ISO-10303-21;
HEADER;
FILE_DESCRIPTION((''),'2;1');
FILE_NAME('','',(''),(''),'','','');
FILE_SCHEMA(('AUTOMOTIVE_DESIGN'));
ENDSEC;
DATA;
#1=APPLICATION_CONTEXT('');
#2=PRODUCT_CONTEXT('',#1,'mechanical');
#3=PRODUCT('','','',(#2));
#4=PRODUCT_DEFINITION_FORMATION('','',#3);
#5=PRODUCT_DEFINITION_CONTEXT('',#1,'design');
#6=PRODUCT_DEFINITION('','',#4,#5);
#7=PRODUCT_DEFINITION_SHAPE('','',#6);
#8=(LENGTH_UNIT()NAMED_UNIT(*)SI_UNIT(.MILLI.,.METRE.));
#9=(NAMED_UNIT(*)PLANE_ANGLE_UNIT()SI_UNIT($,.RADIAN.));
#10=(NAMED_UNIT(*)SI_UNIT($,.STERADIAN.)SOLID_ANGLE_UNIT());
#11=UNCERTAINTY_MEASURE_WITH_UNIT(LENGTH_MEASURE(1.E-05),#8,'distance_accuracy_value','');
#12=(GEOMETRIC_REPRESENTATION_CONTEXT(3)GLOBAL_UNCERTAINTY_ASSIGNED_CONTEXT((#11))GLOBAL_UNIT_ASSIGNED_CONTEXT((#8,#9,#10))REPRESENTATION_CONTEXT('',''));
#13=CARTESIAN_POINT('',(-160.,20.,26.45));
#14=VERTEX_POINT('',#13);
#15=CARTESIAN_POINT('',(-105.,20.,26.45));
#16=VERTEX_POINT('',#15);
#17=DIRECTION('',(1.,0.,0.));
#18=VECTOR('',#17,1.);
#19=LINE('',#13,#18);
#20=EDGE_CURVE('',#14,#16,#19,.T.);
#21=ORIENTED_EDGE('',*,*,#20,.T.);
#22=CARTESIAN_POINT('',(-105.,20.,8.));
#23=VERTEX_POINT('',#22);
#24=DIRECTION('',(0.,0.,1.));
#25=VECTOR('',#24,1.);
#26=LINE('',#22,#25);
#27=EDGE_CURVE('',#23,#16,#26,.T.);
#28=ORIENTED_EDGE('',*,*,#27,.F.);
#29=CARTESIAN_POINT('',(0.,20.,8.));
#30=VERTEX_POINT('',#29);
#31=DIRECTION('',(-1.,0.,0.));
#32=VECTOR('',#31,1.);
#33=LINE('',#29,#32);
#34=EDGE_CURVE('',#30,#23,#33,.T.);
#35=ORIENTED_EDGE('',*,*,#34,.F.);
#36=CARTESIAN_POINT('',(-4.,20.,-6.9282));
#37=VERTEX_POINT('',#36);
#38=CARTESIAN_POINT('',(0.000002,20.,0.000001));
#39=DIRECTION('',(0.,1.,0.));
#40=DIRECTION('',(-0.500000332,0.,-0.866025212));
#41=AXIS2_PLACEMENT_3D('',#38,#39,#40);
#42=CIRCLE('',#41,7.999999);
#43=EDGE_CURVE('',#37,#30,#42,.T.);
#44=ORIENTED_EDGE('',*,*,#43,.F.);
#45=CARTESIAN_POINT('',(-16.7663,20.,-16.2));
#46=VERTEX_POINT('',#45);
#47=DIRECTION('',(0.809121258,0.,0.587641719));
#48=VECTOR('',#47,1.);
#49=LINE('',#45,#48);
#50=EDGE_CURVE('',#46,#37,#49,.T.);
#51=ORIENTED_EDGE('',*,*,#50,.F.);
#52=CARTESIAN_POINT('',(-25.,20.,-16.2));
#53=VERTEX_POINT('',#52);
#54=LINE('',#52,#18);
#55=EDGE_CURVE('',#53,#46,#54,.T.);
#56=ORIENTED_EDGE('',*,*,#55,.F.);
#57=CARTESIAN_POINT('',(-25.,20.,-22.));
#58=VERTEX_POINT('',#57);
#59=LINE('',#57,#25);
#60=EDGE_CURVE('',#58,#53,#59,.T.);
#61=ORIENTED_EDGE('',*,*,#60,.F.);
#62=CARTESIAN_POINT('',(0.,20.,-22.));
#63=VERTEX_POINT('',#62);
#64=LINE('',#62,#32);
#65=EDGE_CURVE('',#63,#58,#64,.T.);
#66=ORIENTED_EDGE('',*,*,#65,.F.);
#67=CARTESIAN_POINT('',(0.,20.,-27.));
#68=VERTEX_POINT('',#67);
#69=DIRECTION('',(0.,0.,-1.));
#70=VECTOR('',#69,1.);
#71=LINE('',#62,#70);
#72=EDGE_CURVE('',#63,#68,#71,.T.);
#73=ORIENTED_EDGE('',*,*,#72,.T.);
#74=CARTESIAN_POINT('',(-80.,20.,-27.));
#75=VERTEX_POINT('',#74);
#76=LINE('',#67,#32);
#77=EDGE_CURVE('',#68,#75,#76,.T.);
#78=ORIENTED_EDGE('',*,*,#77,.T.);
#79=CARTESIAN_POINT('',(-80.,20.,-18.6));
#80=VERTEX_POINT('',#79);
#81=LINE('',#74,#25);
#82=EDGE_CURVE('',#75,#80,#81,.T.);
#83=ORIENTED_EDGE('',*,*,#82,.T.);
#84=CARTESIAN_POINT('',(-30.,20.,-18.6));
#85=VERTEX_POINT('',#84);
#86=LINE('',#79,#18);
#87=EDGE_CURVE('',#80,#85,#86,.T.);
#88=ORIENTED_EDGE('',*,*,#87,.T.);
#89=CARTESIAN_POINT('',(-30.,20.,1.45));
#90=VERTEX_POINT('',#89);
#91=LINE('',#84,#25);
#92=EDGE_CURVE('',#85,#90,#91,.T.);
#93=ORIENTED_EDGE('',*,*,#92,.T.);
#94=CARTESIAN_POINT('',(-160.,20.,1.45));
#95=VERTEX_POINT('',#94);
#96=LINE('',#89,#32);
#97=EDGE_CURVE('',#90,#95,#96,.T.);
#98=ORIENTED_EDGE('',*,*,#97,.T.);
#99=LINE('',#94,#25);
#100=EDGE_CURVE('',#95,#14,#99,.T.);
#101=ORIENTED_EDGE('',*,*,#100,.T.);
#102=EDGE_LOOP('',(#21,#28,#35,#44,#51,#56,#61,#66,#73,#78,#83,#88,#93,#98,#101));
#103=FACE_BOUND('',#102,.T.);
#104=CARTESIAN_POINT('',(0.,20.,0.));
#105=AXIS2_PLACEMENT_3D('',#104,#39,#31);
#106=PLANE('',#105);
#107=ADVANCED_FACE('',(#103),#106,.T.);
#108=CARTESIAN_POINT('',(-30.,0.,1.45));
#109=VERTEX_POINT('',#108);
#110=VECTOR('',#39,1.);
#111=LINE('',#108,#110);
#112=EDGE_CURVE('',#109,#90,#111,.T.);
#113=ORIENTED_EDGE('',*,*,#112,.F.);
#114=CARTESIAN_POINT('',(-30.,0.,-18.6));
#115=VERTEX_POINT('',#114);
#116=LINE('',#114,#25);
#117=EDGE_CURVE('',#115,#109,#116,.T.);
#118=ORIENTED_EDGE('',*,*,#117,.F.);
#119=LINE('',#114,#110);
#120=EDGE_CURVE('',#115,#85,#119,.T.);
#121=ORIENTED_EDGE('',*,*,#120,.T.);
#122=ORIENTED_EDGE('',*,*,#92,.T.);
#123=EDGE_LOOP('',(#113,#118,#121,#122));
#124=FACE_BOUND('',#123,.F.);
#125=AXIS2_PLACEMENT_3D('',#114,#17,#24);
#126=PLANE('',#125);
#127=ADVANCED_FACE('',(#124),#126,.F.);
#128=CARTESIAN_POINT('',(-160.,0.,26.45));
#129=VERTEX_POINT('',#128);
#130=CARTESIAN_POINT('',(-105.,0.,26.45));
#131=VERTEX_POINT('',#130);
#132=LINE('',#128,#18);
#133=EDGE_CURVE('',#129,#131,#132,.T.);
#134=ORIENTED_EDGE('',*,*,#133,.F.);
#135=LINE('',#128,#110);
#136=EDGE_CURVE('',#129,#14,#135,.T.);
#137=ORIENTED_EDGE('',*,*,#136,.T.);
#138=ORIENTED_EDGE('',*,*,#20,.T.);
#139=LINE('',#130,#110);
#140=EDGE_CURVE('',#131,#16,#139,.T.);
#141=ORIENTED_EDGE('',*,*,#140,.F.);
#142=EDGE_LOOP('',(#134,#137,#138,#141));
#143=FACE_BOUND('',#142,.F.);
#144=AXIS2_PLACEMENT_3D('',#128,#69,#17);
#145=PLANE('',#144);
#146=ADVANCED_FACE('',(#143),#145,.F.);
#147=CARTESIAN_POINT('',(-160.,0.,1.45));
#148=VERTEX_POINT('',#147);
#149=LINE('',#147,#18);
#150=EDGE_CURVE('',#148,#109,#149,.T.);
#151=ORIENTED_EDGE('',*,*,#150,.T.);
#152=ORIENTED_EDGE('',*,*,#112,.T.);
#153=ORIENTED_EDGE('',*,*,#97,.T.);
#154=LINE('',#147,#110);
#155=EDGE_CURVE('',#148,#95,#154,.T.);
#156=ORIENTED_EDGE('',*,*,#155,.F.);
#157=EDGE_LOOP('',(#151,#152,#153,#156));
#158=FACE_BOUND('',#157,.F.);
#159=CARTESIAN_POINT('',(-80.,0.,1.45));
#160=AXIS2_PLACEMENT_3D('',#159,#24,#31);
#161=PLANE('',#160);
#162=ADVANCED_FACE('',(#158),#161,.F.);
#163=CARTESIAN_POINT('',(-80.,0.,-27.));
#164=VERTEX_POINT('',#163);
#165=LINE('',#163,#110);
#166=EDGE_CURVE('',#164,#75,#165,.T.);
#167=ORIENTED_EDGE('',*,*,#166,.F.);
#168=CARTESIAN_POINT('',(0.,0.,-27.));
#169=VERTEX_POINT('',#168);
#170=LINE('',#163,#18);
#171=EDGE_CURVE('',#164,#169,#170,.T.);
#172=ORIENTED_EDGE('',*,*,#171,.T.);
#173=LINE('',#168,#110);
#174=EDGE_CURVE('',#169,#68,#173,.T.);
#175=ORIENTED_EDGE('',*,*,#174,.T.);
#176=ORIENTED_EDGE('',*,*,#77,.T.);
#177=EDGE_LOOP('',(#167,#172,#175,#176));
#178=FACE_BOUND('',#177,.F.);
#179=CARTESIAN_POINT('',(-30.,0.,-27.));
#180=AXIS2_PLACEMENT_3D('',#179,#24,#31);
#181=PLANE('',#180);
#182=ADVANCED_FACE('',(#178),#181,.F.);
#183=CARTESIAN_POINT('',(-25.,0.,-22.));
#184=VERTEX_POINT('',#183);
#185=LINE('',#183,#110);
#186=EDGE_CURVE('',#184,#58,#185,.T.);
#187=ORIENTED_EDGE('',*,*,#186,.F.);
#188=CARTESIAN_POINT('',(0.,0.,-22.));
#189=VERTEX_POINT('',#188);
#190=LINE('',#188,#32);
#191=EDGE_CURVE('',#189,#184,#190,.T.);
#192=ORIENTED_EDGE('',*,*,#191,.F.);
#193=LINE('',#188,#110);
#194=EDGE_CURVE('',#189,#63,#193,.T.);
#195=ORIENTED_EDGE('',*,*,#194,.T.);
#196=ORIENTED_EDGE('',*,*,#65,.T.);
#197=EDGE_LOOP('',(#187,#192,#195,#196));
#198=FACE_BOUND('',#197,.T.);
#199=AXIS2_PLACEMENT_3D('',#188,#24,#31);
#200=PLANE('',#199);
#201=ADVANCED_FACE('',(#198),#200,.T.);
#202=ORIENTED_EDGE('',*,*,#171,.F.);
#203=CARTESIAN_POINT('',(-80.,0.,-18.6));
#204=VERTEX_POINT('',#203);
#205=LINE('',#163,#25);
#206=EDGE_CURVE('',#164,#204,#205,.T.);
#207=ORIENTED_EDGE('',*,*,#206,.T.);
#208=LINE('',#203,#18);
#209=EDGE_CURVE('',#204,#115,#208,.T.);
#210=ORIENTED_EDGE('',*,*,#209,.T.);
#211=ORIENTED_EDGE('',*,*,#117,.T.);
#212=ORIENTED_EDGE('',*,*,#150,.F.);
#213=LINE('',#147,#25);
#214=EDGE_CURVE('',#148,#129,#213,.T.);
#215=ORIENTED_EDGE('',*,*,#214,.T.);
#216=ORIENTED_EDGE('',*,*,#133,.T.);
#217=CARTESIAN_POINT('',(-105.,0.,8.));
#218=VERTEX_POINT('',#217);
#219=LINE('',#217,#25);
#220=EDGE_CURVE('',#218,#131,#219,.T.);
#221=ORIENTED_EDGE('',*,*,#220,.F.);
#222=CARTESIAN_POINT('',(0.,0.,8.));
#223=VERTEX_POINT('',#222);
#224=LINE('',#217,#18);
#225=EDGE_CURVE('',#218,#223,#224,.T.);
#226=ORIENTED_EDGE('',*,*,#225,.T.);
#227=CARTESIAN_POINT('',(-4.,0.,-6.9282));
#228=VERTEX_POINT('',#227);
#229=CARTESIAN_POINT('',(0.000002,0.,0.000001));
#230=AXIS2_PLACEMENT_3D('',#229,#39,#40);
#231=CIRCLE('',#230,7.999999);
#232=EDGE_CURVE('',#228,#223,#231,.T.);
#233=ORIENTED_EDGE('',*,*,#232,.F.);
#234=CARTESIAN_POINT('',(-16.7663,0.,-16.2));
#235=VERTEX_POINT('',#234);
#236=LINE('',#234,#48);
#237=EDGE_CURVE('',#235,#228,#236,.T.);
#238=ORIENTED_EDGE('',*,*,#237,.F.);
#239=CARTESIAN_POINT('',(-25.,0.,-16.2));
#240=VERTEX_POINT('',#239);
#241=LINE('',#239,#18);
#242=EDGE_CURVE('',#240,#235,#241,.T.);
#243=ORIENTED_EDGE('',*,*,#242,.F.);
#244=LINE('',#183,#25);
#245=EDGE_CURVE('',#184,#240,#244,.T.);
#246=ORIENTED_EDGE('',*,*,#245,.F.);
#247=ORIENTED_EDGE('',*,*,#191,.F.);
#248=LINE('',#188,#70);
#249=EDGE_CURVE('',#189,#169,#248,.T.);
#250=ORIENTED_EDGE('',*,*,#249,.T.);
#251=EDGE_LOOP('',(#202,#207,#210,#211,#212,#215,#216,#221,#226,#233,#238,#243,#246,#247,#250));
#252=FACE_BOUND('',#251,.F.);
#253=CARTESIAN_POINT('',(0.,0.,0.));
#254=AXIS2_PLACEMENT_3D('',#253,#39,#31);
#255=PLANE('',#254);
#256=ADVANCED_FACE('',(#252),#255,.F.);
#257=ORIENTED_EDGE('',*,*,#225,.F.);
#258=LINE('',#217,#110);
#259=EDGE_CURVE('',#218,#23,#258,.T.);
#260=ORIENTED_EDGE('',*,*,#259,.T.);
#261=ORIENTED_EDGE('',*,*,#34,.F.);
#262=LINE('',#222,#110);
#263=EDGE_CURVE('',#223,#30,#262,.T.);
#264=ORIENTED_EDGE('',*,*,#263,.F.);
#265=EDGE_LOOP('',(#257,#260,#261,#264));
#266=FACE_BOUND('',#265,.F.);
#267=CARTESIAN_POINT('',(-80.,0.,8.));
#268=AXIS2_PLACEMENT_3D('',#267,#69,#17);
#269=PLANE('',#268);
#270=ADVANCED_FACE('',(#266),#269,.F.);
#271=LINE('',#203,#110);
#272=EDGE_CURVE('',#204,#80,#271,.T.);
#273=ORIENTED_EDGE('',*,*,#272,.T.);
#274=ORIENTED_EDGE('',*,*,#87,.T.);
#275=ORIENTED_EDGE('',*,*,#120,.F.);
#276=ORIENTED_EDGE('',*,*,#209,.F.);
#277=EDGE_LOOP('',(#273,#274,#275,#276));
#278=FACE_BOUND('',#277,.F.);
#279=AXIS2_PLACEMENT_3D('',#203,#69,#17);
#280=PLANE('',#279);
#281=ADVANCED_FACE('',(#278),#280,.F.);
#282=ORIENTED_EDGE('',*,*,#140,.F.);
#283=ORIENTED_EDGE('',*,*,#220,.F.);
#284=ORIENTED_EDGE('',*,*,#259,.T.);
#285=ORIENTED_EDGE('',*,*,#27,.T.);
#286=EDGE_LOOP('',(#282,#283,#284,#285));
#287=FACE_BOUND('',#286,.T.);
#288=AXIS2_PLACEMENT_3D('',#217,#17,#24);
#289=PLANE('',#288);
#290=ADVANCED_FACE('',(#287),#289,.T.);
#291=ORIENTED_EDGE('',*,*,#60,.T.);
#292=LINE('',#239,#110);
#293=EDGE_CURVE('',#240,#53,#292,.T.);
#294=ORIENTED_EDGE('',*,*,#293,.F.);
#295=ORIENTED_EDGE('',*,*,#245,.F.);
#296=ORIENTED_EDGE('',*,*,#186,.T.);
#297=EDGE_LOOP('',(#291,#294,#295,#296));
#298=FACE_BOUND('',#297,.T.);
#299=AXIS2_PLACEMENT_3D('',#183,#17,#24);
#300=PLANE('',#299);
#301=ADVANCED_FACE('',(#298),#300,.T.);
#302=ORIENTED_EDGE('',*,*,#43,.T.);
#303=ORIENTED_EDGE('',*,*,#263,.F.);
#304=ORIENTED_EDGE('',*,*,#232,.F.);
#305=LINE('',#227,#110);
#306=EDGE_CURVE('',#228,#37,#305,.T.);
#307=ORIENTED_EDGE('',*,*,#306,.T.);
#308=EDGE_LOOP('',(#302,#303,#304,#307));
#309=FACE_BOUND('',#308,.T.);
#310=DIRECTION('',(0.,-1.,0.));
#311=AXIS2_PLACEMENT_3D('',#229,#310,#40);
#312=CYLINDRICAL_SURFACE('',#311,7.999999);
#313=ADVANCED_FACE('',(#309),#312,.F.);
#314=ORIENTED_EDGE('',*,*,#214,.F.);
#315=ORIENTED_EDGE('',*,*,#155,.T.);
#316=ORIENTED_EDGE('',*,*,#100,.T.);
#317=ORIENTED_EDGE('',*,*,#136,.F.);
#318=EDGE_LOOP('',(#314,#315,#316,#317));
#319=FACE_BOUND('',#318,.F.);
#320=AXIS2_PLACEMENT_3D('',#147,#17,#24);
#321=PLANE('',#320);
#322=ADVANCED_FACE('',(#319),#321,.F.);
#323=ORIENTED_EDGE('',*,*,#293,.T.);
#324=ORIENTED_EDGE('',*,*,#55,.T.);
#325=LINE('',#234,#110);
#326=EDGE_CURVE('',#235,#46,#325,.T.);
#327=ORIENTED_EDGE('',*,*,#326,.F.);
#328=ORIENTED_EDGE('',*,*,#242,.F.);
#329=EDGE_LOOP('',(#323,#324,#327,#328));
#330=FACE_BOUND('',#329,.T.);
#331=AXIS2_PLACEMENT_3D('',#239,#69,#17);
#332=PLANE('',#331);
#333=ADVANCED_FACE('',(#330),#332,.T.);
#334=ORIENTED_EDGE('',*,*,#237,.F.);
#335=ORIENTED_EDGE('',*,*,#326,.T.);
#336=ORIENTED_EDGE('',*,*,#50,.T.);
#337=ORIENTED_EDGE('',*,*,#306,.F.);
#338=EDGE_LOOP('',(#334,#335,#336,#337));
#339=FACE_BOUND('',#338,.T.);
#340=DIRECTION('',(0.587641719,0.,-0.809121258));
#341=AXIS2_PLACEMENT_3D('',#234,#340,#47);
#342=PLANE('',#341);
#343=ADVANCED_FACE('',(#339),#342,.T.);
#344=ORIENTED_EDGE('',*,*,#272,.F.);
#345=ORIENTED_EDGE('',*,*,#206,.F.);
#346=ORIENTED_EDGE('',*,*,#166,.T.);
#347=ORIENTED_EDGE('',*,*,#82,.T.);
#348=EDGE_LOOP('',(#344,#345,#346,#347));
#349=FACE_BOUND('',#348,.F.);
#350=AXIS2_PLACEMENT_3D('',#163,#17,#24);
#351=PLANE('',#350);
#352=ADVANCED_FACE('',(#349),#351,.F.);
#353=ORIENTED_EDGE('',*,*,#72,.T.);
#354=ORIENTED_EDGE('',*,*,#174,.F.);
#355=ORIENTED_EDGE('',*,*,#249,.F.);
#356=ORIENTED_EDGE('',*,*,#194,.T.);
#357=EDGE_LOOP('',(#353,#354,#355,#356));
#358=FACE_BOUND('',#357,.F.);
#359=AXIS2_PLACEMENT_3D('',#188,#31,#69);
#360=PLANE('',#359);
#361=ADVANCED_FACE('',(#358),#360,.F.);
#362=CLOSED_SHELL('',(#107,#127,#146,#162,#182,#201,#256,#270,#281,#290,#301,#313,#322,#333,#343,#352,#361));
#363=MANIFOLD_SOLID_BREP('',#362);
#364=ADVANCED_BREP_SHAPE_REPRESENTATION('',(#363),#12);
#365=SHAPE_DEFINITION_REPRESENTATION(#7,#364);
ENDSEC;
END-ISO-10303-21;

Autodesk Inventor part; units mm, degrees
ref_plane "YZ Plane" through (0, 0, 0) normal (1, 0, 0) x (0, 1, 0)
ref_plane "XZ Plane" through (0, 0, 0) normal (0, 1, 0) x (-1, 0, 0)
ref_plane "XY Plane" through (0, 0, 0) normal (0, 0, 1) x (1, 0, 0)
sketch "Skizze1" plane through (0, 0, 0) normal (0, 1, 0) x (-1, 0, 0)
  arc A0 (4, -6.9282) -> (0, 8) centre (0, 0) ccw
  line L0 (0, -22) -> (0, -27)
  line L1 (0, -27) -> (30, -27)
  line L2 (80, 8) -> (0, 8)
  line L3 (0, -22) -> (25, -22)
  line L4 (25, -22) -> (0, -22)
  line L5 (25, -22) -> (25, -16.2)
  line L6 (25, -16) -> (25, -22)
  line L7 (25, -16.2) -> (16.7663, -16.2)
  line L8 (16.7663, -16.2) -> (4, -6.9282)
  line L9 (30, -27) -> (80, -27)
  line L10 (80, -27) -> (80, -18.6)
  line L11 (80, -18.6) -> (30, -18.6)
  line L12 (80, 1.45) -> (30, 1.45)
  line L13 (30, -18.6) -> (30, 1.45)
  line L14 (80, 1.45) -> (160, 1.45)
  line L15 (80, 1.45) -> (160, 1.45) construction
  line L16 (160, 1.45) -> (160, 26.45)
  line L17 (160, 26.45) -> (105, 26.45)
  line L18 (80, 8) -> (105, 8)
  line L19 (105, 8) -> (105, 26.45)
  circle A1 centre (119.5, 13.95) radius 8.025
  circle A2 centre (145.5, 13.95) radius 8.025
  dimension "d0" = 5
  dimension "d9" = 50
  dimension "d10" = 8.4
  dimension "d12" = 20.05
  dimension "d17" = 0
  dimension "d18" = 25
  dimension "d19" = 55
  dimension "d20" = 160
  dimension "d21" = 8
  dimension "d22" = 30
  dimension "d23" = 16.05
  dimension "d24" = 16.05
  dimension "d25" = 12.5
  dimension "d26" = 12.5
  dimension "d28" = 26
  dimension "d29" = 14.5
extrude "Extrusion1" add sketch "Skizze1" along normal blind 20 contours A0 L2 L18 L19 L17 L16 L14 L12 L13 L11 L10 L9 L1 L0 L3 L5 L7 L8 | A1 | A2
properties part number "Halterung_MobileWhiteboard_V3_Ultrasonic scanner"
